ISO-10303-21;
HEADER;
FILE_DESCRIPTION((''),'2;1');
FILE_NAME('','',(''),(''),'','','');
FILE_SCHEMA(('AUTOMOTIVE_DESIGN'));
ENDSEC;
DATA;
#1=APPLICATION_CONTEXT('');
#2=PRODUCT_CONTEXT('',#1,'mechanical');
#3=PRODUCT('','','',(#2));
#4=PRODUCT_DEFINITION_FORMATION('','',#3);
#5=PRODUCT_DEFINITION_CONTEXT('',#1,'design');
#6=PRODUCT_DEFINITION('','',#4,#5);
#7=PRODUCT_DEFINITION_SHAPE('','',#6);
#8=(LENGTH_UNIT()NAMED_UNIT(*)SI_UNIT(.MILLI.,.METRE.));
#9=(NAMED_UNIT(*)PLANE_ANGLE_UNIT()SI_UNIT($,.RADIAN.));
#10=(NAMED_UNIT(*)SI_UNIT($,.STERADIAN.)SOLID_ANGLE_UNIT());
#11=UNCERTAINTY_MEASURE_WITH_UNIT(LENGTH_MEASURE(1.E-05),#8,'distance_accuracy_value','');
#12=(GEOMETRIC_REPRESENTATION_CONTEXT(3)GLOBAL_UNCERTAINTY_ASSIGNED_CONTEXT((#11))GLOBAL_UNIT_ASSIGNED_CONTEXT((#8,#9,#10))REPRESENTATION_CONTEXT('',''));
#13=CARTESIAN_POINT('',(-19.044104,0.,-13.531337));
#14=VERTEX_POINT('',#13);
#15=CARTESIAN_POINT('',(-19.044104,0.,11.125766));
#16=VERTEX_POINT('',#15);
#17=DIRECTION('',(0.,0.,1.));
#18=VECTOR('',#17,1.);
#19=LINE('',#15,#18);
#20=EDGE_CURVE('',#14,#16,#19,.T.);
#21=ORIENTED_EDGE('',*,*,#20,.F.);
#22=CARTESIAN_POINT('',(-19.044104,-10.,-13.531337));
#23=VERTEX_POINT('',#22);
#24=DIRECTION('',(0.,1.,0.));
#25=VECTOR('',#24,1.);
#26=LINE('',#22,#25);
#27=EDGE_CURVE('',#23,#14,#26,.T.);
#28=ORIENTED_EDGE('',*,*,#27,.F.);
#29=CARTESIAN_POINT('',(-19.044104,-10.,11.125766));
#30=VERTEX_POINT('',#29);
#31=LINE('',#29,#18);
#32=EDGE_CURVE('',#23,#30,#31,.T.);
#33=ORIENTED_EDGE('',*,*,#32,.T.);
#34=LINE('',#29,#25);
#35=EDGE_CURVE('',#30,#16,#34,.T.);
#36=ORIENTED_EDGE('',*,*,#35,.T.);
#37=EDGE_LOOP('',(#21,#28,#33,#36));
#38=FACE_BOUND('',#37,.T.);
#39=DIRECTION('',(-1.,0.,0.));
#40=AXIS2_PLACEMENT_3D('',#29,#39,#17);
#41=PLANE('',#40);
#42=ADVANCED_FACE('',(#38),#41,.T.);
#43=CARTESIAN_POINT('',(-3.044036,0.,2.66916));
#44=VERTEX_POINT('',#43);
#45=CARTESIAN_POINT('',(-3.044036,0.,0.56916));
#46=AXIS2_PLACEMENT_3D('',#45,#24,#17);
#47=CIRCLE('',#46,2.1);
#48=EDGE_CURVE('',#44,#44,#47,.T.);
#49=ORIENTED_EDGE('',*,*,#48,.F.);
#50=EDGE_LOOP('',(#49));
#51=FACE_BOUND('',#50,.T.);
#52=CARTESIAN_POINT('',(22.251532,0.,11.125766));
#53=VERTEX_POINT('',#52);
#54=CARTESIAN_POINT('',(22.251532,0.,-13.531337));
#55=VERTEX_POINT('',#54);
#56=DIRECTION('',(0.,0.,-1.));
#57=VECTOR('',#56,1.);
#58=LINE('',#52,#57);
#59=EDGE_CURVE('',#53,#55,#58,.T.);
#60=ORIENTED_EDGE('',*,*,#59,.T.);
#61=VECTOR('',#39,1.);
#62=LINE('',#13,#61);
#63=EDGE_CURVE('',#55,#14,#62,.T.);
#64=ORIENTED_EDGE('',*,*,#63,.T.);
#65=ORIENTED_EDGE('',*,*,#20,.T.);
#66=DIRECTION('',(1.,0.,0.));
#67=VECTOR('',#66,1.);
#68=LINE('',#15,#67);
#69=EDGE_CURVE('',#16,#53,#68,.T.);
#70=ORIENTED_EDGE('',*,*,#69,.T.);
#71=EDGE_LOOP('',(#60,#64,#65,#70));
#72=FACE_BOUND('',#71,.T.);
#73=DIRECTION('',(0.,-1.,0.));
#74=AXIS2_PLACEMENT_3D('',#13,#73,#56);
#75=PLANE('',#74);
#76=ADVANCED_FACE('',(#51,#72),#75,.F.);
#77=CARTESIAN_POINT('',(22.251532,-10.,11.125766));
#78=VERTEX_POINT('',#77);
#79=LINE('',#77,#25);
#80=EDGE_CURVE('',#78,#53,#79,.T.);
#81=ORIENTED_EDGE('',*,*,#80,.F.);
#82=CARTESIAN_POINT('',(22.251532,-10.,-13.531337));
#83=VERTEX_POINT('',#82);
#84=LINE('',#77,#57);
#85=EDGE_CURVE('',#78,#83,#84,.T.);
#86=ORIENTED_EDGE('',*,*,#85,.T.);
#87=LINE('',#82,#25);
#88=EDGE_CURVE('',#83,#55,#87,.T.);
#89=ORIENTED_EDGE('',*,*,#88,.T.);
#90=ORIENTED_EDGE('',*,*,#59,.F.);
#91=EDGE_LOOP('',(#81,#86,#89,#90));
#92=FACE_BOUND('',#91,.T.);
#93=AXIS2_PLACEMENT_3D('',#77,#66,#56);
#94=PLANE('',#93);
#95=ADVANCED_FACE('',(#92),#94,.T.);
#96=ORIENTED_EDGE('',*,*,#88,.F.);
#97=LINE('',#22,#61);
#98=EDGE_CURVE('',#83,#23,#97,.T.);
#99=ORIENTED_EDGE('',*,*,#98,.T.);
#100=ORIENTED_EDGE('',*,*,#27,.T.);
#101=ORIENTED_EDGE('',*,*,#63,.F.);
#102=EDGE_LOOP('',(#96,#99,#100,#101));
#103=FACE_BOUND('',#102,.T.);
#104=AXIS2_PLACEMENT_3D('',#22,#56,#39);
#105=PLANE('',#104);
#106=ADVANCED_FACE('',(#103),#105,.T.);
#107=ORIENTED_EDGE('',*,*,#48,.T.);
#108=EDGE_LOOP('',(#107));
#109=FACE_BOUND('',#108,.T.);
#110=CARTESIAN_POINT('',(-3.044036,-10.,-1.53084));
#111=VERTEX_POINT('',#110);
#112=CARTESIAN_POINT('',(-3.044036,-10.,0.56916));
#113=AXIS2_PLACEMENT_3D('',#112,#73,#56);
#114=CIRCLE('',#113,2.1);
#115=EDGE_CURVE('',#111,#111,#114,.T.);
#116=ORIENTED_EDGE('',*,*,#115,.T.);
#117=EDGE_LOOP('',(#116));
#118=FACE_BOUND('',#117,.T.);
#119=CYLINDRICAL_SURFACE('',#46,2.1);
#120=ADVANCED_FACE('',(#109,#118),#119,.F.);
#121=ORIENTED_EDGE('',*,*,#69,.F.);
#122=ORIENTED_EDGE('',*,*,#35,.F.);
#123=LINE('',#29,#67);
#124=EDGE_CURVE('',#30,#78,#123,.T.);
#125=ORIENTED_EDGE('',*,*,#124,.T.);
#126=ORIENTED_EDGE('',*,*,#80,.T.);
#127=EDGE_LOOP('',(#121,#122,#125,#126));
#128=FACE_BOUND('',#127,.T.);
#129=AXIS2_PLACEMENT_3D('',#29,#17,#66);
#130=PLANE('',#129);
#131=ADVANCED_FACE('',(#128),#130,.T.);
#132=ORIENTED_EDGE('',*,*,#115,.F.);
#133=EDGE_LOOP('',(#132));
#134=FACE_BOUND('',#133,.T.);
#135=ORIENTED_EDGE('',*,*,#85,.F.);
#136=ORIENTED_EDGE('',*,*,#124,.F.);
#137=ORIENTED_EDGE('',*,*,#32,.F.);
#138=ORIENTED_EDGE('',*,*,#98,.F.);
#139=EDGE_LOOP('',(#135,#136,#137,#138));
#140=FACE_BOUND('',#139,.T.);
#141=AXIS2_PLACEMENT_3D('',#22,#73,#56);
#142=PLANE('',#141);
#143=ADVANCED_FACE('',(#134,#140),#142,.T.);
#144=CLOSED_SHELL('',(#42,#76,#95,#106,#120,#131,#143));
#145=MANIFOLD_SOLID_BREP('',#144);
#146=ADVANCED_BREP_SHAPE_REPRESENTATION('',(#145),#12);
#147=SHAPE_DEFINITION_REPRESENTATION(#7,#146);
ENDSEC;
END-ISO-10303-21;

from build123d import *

# Parameters (mm, degrees)
SKETCH1_W                 = 41.295636026
SKETCH1_H                 = 24.657103064
BOSS_EXTRUDE1_DEPTH       = 10
M5X0_8_TAPPED_HOLE1_D     = 4.2
M5X0_8_TAPPED_HOLE1_DEPTH = 14
M5X0_8_TAPPED_HOLE1_TIP   = 1.2618073


with BuildPart() as part:
    # Sketch1 → Boss-Extrude1 (new body)
    with BuildSketch(Plane(origin=(0, 0, 0), x_dir=(1, 0, 0), z_dir=(0, 1, 0))):
        with Locations((1.60371402, 1.202785515)):
            Rectangle(SKETCH1_W, SKETCH1_H)
    extrude(amount=-BOSS_EXTRUDE1_DEPTH)

    # M5x0.8 Tapped Hole1
    with Locations(Plane(origin=(0, 0, 0), x_dir=(-1, 0, 0), z_dir=(0, 1, 0))):
        with Locations((3.044035574, 0.569159987)):
            Hole(M5X0_8_TAPPED_HOLE1_D / 2, depth=M5X0_8_TAPPED_HOLE1_DEPTH)
            with Locations((0, 0, -(M5X0_8_TAPPED_HOLE1_DEPTH + M5X0_8_TAPPED_HOLE1_TIP / 2))):  # 118° drill point
                Cone(0, M5X0_8_TAPPED_HOLE1_D / 2, M5X0_8_TAPPED_HOLE1_TIP, mode=Mode.SUBTRACT)


solid = part.part
